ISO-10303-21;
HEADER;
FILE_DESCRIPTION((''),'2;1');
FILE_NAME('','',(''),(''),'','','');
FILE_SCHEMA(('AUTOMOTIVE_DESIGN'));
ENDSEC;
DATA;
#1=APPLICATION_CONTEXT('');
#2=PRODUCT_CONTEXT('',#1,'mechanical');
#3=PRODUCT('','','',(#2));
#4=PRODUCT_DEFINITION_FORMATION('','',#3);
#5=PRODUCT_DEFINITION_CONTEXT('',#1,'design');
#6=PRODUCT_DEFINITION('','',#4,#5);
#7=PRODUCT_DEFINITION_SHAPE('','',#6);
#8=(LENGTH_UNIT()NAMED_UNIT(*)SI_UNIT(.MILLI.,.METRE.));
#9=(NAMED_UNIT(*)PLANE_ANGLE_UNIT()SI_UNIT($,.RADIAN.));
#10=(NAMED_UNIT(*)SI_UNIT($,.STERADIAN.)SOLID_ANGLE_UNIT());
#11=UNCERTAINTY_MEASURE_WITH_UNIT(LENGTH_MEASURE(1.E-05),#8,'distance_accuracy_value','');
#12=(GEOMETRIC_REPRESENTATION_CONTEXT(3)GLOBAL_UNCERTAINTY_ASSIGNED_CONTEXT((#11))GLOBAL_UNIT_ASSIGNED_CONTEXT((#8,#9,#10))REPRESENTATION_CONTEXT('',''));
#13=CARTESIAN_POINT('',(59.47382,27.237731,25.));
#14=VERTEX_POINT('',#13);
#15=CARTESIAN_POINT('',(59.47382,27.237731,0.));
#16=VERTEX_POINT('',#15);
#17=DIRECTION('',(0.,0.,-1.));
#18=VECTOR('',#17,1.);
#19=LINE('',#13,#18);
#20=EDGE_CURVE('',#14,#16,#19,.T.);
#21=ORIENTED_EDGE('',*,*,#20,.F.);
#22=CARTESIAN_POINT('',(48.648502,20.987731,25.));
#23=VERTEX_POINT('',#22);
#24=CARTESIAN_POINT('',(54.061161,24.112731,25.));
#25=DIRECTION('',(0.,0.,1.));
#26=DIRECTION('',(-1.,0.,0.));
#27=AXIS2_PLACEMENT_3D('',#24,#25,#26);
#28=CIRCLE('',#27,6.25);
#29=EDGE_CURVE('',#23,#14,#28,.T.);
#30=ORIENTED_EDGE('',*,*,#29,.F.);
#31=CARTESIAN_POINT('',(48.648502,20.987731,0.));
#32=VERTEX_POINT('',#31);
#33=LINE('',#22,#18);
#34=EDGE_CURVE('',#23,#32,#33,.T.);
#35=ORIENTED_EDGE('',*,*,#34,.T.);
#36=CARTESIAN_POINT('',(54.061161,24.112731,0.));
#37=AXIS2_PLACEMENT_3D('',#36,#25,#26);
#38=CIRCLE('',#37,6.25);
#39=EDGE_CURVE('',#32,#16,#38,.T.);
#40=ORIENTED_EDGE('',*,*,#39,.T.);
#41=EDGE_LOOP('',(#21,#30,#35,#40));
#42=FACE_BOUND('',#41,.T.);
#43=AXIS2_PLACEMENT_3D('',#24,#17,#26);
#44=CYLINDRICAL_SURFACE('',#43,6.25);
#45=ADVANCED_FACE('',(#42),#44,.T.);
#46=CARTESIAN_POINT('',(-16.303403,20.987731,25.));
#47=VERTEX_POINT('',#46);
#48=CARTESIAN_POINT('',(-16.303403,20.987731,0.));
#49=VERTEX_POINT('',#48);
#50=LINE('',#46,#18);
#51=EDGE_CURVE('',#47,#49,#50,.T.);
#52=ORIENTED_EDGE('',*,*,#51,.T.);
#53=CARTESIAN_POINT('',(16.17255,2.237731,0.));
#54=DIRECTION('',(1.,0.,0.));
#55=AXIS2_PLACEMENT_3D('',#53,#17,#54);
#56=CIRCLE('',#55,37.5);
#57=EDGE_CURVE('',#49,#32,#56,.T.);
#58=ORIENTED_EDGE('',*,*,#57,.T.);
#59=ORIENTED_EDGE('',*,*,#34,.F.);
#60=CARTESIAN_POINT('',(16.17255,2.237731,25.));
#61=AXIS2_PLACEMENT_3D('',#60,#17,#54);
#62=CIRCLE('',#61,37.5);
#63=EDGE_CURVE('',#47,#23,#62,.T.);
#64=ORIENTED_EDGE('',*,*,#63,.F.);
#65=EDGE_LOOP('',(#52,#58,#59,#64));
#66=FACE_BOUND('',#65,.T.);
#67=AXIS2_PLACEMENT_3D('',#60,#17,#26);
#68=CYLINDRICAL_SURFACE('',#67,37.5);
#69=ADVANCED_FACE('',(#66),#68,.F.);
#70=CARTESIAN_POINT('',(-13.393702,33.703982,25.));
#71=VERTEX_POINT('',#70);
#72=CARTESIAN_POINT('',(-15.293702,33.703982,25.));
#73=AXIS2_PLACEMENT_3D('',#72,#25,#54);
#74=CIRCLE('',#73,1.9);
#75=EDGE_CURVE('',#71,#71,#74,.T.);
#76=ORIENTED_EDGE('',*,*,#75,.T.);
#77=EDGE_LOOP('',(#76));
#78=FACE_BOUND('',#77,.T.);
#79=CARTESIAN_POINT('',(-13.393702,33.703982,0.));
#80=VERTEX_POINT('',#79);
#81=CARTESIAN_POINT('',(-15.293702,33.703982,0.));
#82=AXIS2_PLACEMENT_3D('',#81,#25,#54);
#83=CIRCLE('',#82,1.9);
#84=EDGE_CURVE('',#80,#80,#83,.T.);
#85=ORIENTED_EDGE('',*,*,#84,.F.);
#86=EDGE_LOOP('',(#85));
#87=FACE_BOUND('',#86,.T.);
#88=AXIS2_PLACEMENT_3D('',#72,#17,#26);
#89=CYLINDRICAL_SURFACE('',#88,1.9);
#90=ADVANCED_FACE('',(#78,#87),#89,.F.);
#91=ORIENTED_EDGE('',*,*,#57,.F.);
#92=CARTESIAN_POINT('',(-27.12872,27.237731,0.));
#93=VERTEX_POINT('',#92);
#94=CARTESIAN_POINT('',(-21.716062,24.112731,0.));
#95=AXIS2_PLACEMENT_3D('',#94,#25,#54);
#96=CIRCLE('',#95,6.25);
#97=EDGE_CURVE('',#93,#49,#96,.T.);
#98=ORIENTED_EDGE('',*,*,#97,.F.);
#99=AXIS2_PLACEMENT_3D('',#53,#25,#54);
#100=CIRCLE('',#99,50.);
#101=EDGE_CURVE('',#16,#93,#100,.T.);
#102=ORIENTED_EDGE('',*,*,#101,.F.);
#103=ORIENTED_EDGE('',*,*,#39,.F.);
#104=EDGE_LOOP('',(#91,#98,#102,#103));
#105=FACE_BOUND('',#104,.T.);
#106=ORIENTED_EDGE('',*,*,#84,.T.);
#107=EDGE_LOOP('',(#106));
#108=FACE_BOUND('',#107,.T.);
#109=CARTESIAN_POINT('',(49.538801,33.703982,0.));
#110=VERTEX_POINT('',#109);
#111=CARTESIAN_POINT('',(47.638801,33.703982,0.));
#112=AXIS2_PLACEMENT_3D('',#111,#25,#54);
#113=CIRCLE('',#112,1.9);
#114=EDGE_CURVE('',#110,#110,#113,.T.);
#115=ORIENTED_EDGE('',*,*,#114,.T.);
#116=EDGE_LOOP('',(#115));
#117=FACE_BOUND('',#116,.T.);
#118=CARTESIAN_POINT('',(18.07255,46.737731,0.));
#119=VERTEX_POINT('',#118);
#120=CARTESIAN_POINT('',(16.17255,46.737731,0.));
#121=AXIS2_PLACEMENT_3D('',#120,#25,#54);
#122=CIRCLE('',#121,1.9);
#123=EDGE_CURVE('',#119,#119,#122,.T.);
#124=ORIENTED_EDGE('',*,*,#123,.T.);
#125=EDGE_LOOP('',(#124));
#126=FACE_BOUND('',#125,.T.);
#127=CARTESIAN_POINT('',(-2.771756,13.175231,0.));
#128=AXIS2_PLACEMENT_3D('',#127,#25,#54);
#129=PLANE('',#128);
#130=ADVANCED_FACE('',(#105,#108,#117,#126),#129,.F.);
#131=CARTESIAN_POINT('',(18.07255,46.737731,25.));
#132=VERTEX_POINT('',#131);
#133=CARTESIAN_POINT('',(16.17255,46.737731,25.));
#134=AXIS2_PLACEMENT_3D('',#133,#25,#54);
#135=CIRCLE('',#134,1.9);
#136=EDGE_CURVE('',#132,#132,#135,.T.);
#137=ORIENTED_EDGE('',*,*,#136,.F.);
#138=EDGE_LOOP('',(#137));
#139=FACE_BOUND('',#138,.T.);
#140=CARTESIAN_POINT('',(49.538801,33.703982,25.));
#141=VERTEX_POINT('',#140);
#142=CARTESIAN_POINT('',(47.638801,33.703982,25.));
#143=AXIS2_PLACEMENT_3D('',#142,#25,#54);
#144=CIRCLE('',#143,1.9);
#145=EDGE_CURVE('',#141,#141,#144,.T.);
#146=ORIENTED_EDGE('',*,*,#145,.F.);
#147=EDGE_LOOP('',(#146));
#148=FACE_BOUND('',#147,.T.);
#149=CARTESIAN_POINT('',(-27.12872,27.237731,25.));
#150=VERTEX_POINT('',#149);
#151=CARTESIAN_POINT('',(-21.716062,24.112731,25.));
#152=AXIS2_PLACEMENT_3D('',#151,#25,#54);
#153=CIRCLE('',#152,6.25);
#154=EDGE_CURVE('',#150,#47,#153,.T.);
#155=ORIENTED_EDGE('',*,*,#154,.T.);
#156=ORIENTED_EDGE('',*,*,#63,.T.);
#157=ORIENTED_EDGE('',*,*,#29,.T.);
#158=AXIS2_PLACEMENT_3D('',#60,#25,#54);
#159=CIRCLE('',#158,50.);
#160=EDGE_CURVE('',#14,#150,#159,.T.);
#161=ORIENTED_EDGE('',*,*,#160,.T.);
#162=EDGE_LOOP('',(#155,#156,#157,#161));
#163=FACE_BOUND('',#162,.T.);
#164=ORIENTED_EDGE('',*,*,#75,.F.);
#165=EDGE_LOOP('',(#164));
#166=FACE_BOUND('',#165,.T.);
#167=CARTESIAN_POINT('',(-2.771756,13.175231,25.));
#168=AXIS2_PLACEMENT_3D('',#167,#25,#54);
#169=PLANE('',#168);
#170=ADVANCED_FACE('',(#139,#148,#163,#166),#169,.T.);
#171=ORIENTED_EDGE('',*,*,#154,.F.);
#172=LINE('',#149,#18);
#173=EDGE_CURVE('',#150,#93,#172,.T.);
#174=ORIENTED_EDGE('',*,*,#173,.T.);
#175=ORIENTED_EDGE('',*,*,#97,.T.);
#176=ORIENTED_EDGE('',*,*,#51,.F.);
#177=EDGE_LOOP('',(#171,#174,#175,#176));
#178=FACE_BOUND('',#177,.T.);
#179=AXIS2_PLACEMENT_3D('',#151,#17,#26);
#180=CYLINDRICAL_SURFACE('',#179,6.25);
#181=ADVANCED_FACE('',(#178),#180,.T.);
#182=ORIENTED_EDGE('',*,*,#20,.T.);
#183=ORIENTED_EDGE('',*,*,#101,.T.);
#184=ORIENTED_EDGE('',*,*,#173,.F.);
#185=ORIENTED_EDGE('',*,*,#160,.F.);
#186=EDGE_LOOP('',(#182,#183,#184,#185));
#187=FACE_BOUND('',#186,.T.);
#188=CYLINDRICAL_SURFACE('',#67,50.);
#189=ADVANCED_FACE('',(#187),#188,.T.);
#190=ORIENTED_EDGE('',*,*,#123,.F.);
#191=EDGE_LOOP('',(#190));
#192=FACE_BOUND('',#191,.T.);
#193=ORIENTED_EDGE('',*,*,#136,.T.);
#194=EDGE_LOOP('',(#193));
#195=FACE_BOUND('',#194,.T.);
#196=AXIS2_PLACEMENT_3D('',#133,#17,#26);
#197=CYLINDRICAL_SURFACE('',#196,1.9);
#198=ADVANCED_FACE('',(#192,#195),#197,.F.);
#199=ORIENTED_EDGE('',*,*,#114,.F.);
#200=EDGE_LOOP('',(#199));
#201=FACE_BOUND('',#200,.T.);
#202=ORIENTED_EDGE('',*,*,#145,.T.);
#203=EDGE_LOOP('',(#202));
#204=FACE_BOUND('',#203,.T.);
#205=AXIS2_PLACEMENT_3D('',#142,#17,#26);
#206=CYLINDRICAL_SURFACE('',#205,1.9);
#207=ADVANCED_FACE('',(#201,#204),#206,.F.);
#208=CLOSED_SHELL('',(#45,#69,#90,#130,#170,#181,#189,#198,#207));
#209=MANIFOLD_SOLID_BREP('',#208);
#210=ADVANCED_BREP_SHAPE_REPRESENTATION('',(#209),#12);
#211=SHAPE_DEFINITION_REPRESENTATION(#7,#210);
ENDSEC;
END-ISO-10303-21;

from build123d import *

# Parameters (mm, degrees)
SKETCH_2_R      = 1.9
EXTRUDE_1_DEPTH = 25


with BuildPart() as part:
    # 草图2 → 凸台-拉伸1 (new body)
    with BuildSketch(Plane.XY):
        with BuildLine():
            ThreePointArc((48.648502372, 20.987730677), (16.17254973, 39.737730677), (-16.303402912, 20.987730677))
            ThreePointArc((-16.303402912, 20.987730677), (-24.841061686, 18.700071903), (-27.128720459, 27.237730677))
            ThreePointArc((-27.128720459, 27.237730677), (16.17254973, 52.237730677), (59.473819919, 27.237730677))
            ThreePointArc((59.473819919, 27.237730677), (57.186161145, 18.700071903), (48.648502372, 20.987730677))
        make_face()
        with Locations((-15.293702033, 33.70398244)):
            Circle(SKETCH_2_R, mode=Mode.SUBTRACT)
        with Locations((16.17254973, 46.737730677)):
            Circle(SKETCH_2_R, mode=Mode.SUBTRACT)
        with Locations((47.638801493, 33.70398244)):
            Circle(SKETCH_2_R, mode=Mode.SUBTRACT)
    extrude(amount=EXTRUDE_1_DEPTH)


solid = part.part
